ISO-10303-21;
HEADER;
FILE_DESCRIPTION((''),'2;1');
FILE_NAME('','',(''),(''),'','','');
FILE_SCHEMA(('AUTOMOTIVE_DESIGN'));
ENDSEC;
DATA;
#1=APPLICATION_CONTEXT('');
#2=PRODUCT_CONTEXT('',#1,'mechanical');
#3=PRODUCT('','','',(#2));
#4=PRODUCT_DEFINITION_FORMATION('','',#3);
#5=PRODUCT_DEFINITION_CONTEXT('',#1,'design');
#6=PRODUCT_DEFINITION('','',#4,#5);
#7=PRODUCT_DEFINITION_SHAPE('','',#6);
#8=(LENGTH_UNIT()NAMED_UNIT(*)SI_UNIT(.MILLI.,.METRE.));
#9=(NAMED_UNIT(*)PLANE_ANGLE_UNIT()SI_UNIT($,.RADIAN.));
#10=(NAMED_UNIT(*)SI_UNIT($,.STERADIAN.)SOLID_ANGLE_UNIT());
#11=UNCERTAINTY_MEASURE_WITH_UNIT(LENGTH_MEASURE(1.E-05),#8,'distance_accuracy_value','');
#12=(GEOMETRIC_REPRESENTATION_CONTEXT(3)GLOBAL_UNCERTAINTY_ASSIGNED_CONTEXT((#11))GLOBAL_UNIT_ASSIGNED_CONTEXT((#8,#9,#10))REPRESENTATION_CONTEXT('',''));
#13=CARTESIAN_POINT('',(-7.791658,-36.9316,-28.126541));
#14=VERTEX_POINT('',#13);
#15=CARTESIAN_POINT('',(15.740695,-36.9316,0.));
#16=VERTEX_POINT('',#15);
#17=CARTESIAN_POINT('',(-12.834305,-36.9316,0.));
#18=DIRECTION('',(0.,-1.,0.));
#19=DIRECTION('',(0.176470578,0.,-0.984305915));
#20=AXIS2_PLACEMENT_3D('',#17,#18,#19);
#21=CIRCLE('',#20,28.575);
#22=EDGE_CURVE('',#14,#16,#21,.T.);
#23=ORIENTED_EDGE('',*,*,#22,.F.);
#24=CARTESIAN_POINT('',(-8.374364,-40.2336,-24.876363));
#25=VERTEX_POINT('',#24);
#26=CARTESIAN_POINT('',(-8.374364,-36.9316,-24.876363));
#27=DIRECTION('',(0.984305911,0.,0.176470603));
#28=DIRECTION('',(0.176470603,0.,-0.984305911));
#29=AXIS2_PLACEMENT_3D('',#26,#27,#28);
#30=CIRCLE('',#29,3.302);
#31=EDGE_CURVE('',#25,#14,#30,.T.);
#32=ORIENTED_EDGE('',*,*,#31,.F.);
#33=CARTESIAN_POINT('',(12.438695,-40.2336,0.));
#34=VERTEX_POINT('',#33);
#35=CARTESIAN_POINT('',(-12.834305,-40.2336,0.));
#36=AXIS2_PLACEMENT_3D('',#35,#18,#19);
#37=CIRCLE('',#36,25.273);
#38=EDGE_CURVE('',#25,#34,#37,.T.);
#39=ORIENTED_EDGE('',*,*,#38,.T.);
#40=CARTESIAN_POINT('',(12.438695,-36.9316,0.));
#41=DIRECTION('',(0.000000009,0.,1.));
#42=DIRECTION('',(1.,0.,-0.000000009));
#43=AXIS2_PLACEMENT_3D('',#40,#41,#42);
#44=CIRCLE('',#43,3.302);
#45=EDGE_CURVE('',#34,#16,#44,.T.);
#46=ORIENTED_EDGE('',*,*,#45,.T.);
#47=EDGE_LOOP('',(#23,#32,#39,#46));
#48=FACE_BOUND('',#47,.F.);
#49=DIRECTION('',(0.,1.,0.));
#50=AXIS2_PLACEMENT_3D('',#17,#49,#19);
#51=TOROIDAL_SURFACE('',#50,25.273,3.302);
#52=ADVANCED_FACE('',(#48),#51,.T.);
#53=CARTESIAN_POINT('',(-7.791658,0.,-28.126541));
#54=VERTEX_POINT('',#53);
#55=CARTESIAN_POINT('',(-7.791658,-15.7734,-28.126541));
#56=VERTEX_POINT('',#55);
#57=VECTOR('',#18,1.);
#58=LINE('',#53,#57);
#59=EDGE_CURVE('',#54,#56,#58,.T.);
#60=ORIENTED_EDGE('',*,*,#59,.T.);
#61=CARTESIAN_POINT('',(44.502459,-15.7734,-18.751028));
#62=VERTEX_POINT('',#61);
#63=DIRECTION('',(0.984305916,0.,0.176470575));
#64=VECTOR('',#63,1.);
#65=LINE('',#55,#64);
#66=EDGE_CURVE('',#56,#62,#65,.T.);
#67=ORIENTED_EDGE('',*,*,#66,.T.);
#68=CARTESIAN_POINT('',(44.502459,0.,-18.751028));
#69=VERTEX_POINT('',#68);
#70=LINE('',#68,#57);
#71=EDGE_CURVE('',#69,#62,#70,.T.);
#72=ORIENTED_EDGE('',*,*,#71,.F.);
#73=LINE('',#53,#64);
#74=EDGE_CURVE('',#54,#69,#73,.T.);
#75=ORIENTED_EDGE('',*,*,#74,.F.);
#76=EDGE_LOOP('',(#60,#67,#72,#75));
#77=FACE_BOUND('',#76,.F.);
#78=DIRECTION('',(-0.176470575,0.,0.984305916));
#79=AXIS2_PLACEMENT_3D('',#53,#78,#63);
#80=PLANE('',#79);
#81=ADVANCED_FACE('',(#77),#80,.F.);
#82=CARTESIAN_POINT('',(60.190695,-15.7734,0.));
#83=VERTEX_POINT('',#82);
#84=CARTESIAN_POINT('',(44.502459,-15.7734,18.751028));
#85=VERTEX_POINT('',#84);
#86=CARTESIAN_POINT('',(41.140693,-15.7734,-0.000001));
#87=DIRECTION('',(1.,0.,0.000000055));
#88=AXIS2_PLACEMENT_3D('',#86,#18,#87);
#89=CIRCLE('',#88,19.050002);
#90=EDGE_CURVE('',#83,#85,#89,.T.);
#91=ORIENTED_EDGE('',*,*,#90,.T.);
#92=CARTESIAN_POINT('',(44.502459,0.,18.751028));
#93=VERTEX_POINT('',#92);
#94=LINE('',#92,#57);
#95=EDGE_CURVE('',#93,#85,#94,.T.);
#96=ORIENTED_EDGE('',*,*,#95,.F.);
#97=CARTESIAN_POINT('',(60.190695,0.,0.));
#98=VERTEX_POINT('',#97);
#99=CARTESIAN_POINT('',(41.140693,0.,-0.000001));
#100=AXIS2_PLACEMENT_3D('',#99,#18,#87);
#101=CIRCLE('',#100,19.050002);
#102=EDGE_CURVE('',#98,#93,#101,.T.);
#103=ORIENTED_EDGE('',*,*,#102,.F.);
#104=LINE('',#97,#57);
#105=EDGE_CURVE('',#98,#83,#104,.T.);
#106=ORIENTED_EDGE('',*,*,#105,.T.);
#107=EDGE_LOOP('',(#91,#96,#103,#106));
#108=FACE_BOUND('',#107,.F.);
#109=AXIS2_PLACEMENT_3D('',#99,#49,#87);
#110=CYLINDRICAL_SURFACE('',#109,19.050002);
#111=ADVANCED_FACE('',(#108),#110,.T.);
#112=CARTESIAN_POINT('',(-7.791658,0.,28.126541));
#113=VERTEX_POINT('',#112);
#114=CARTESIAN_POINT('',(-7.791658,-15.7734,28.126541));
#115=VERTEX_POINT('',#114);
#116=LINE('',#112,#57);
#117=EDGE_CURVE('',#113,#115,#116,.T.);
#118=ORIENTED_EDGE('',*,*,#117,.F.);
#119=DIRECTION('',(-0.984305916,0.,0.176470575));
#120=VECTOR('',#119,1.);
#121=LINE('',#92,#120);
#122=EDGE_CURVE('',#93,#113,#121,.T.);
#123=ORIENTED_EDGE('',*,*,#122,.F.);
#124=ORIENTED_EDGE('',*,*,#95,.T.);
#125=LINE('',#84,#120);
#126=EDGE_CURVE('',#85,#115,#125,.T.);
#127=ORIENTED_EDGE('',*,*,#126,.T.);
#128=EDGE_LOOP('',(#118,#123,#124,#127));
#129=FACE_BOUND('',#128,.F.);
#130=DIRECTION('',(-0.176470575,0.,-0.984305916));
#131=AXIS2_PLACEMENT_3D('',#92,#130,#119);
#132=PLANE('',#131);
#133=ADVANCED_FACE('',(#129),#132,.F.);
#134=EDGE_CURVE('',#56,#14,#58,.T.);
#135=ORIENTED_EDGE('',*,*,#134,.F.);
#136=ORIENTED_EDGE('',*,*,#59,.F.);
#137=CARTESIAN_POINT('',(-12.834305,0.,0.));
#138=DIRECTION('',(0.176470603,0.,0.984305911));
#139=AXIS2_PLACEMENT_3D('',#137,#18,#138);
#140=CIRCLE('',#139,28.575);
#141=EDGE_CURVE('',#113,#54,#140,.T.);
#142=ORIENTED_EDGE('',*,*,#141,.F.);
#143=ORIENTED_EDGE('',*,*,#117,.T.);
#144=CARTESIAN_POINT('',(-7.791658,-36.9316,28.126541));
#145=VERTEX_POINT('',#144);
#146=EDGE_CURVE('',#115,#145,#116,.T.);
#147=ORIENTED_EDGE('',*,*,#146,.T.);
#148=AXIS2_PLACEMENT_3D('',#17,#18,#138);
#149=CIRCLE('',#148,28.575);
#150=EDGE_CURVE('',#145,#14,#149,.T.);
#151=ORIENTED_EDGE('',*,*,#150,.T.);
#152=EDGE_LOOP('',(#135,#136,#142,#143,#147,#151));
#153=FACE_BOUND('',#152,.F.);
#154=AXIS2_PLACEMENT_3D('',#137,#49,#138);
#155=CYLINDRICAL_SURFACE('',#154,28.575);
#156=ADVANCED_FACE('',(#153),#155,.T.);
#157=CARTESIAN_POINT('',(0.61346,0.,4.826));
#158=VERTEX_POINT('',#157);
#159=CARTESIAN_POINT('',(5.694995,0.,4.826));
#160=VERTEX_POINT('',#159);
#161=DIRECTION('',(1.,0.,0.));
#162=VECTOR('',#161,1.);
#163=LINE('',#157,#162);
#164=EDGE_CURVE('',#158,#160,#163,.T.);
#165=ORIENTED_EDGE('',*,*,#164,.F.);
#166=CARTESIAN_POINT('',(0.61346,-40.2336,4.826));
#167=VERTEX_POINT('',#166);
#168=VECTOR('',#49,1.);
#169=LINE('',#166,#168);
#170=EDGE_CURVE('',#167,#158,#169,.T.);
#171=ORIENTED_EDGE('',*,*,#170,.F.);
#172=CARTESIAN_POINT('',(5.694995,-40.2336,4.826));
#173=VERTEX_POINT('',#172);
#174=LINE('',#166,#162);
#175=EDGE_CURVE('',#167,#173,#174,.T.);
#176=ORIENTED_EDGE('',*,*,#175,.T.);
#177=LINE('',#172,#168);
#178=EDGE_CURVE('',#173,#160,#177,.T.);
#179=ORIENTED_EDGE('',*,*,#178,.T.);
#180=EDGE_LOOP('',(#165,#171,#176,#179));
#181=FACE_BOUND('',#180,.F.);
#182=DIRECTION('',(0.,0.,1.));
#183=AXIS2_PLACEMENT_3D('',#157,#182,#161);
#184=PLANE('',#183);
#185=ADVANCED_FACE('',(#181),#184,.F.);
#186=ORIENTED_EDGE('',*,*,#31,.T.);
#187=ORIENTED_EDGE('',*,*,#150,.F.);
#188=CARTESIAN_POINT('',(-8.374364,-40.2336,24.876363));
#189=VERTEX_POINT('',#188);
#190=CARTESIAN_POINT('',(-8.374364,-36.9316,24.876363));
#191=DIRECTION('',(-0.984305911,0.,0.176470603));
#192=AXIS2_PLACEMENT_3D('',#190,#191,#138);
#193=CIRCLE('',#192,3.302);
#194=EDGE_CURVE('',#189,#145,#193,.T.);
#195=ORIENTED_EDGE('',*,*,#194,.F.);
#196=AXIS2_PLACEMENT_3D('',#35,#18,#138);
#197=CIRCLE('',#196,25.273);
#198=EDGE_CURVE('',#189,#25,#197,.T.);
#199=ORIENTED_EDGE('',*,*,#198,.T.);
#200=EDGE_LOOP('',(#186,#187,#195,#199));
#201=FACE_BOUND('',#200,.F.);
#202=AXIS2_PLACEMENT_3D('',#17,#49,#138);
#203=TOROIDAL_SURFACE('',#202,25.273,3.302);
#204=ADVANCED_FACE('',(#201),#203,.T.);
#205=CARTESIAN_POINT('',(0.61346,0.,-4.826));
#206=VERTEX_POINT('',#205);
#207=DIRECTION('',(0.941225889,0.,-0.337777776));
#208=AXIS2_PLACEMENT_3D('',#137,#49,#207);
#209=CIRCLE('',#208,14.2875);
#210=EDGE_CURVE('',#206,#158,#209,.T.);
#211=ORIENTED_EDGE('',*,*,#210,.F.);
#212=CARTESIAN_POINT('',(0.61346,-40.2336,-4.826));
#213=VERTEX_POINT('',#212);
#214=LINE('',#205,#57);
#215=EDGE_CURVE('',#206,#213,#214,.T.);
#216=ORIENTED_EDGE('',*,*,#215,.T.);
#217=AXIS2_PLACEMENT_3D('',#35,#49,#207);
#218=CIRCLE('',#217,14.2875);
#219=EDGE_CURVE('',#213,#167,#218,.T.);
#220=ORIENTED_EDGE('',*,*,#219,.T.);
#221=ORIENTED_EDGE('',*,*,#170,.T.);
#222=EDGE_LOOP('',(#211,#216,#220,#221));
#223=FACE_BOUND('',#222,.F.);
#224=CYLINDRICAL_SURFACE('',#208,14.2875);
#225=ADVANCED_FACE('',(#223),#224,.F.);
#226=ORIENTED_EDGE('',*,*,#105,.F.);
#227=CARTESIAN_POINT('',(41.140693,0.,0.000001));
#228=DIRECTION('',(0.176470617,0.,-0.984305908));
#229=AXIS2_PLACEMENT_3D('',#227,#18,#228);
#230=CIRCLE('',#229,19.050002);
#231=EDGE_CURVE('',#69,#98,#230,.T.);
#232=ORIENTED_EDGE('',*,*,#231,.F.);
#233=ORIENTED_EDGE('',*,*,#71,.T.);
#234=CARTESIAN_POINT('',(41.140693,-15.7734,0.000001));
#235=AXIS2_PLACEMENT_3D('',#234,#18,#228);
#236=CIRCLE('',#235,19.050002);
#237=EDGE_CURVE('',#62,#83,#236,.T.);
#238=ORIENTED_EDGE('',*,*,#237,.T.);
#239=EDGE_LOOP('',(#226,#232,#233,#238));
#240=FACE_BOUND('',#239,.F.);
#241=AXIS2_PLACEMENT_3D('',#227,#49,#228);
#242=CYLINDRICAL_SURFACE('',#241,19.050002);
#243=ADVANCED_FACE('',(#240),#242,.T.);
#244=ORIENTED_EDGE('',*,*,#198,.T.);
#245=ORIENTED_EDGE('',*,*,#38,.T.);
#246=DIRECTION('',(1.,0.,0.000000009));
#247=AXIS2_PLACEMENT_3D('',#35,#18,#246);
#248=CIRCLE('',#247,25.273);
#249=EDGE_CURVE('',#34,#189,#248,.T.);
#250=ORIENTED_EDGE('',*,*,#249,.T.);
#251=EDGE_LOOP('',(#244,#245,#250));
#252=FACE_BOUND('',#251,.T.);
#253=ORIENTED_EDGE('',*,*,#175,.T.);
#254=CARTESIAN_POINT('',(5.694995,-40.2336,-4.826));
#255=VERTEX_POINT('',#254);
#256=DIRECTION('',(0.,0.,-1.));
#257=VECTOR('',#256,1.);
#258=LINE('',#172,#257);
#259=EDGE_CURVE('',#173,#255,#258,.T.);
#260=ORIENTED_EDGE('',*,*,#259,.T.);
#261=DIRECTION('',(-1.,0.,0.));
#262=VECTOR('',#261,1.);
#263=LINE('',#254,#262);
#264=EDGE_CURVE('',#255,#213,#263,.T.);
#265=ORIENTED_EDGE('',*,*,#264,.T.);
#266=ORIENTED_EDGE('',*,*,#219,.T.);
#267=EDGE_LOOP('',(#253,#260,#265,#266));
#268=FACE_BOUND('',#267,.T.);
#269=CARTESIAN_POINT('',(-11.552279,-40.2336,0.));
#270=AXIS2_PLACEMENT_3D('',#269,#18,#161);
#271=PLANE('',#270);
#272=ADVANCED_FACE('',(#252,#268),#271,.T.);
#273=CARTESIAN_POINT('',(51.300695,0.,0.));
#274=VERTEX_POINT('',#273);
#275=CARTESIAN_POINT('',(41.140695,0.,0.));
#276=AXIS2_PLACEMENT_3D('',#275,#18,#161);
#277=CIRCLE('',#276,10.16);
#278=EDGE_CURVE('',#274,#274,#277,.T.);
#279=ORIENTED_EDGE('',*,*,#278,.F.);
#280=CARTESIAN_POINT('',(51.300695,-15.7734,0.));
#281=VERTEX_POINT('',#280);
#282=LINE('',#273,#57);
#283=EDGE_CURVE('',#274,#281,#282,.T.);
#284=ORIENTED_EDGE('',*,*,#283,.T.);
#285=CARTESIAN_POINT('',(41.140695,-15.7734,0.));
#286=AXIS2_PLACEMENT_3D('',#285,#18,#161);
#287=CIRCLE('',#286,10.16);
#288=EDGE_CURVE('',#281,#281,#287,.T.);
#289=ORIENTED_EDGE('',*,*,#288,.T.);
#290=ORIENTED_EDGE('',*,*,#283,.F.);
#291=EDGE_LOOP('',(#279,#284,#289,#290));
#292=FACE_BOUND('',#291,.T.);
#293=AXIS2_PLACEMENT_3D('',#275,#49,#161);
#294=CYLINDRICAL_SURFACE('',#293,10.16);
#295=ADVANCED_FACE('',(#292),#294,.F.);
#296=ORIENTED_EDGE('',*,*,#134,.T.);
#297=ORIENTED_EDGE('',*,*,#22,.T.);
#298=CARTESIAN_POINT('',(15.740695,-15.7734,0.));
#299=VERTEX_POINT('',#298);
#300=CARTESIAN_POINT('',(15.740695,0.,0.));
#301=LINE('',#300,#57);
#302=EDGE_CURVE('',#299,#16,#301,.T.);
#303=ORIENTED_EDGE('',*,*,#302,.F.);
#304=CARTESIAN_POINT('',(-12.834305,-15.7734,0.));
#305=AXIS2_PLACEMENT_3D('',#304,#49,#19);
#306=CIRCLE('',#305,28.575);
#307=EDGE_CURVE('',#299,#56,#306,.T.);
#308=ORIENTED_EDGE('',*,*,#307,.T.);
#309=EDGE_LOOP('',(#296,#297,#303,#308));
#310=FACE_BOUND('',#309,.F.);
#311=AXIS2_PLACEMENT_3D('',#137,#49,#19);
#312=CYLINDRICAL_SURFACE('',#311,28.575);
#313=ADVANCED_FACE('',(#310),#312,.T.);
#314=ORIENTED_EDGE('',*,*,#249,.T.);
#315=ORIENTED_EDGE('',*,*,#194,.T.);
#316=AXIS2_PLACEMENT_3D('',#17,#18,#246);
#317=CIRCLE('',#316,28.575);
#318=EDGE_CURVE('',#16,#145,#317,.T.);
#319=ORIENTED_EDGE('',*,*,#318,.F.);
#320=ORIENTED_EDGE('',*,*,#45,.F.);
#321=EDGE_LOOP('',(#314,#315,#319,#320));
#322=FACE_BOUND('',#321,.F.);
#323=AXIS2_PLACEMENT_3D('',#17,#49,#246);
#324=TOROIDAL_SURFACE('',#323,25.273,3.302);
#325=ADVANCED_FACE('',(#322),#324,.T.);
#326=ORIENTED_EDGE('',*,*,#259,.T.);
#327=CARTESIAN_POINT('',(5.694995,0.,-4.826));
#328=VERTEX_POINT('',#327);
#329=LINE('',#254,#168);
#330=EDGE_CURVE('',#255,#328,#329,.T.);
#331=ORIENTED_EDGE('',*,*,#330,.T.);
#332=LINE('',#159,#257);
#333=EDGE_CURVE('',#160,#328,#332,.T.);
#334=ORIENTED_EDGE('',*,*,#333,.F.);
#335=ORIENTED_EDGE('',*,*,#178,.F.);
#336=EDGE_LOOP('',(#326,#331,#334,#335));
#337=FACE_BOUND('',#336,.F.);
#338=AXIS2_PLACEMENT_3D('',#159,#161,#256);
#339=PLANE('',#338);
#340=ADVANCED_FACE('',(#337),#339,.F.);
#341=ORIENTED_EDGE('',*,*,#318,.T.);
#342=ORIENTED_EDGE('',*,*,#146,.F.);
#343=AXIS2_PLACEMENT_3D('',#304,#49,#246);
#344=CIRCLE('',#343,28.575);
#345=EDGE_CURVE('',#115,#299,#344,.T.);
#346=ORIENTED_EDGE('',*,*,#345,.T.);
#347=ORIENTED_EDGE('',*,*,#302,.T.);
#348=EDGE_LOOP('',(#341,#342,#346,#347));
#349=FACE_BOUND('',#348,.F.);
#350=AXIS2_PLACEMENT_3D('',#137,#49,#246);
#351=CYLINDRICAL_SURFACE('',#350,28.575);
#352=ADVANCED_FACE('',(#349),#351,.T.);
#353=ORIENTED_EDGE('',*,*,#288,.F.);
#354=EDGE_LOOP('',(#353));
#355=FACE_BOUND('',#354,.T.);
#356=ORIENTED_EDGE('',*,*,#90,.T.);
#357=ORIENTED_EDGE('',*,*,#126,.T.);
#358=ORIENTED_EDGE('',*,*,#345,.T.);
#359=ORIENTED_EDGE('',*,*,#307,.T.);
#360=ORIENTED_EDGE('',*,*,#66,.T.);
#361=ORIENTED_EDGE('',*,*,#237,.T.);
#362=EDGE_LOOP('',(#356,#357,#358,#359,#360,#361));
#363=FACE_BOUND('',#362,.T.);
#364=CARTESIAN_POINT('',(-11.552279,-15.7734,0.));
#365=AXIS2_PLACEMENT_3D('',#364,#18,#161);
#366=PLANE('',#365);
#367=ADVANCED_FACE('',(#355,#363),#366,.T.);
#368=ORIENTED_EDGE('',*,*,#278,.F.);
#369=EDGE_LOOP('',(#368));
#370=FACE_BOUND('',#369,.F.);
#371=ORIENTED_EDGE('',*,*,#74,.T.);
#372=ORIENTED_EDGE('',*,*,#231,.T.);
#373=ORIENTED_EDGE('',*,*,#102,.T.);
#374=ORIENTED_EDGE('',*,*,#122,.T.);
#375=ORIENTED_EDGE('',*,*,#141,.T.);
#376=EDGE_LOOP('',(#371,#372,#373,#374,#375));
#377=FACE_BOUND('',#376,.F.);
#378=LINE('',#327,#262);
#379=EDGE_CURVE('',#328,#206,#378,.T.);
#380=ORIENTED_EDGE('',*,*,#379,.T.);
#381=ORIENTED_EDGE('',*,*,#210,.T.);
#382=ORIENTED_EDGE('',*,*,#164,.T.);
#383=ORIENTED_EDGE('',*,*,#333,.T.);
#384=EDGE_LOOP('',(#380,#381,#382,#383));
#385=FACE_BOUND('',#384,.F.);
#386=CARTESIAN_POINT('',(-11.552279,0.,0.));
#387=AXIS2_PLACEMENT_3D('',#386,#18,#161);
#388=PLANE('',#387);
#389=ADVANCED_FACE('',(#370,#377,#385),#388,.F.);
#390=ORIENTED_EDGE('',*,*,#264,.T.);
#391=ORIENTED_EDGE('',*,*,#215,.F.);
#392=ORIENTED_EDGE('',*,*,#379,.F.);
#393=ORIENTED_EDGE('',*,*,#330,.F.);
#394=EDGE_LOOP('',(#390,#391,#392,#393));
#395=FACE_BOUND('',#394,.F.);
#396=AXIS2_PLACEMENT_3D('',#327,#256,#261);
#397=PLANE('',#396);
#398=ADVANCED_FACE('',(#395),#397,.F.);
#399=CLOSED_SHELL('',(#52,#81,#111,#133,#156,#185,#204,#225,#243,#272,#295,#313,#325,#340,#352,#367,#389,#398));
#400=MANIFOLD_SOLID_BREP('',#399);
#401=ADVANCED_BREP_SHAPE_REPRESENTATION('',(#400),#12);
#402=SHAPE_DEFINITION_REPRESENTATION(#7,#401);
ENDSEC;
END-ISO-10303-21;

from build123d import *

# Parameters (mm, degrees)
F1_DEPTH = 40.2336
F0_R     = 10.16
F2_DEPTH = 15.7734
F3_R     = 3.302


with BuildPart() as f1:
    # F0 (on Front) → F1 (new body)
    with BuildSketch(Plane.XZ):
        with BuildLine():
            ThreePointArc((-7.791658, -28.126541), (9.081719, -18.336262), (15.740695, 0))
            ThreePointArc((15.740695, 0), (9.081719, 18.336262), (-7.791658, 28.126541))
            ThreePointArc((-7.791658, 28.126541), (-41.409305, 0), (-7.791658, -28.126541))
        make_face()
        with BuildLine():
            ThreePointArc((0.61346, -4.826), (-27.121805, 0), (0.61346, 4.826))
            Line((0.61346, 4.826), (5.694995, 4.826))
            Line((5.694995, 4.826), (5.694995, -4.826))
            Line((5.694995, -4.826), (0.61346, -4.826))
        make_face(mode=Mode.SUBTRACT)
    extrude(amount=F1_DEPTH)

    # F0 (on Front) → F2 (join)
    with BuildSketch(Plane.XZ):
        with BuildLine():
            ThreePointArc((-7.791658, -28.126541), (9.081719, -18.336262), (15.740695, 0))
            ThreePointArc((15.740695, 0), (9.081719, 18.336262), (-7.791658, 28.126541))
            ThreePointArc((-7.791658, 28.126541), (-41.409305, 0), (-7.791658, -28.126541))
        make_face()
        with BuildLine():
            ThreePointArc((0.61346, -4.826), (-27.121805, 0), (0.61346, 4.826))
            Line((0.61346, 4.826), (5.694995, 4.826))
            Line((5.694995, 4.826), (5.694995, -4.826))
            Line((5.694995, -4.826), (0.61346, -4.826))
        make_face(mode=Mode.SUBTRACT)
        with BuildLine():
            ThreePointArc((-7.791658, 28.126541), (9.081719, 18.336262), (15.740695, 0))
            ThreePointArc((15.740695, 0), (9.081719, -18.336262), (-7.791658, -28.126541))
            Line((-7.791658, -28.126541), (44.502459, -18.751028))
            ThreePointArc((44.502459, -18.751028), (22.090695, 0), (44.502459, 18.751028))
            Line((44.502459, 18.751028), (-7.791658, 28.126541))
        make_face()
        with BuildLine():
            ThreePointArc((60.190695, 0), (55.751378, 12.224174), (44.502459, 18.751028))
            ThreePointArc((44.502459, 18.751028), (22.090695, 0), (44.502459, -18.751028))
            ThreePointArc((44.502459, -18.751028), (55.751378, -12.224174), (60.190695, 0))
        make_face()
        with Locations((41.140695, 0)):
            Circle(F0_R, mode=Mode.SUBTRACT)
    extrude(amount=F2_DEPTH)

    # F3
    f3_edges = [f1.edges().sort_by_distance(p)[0] for p in [
        (-17.876952, -40.2336, 28.126541),
    ]]
    fillet(f3_edges, radius=F3_R)


solid = f1.part
